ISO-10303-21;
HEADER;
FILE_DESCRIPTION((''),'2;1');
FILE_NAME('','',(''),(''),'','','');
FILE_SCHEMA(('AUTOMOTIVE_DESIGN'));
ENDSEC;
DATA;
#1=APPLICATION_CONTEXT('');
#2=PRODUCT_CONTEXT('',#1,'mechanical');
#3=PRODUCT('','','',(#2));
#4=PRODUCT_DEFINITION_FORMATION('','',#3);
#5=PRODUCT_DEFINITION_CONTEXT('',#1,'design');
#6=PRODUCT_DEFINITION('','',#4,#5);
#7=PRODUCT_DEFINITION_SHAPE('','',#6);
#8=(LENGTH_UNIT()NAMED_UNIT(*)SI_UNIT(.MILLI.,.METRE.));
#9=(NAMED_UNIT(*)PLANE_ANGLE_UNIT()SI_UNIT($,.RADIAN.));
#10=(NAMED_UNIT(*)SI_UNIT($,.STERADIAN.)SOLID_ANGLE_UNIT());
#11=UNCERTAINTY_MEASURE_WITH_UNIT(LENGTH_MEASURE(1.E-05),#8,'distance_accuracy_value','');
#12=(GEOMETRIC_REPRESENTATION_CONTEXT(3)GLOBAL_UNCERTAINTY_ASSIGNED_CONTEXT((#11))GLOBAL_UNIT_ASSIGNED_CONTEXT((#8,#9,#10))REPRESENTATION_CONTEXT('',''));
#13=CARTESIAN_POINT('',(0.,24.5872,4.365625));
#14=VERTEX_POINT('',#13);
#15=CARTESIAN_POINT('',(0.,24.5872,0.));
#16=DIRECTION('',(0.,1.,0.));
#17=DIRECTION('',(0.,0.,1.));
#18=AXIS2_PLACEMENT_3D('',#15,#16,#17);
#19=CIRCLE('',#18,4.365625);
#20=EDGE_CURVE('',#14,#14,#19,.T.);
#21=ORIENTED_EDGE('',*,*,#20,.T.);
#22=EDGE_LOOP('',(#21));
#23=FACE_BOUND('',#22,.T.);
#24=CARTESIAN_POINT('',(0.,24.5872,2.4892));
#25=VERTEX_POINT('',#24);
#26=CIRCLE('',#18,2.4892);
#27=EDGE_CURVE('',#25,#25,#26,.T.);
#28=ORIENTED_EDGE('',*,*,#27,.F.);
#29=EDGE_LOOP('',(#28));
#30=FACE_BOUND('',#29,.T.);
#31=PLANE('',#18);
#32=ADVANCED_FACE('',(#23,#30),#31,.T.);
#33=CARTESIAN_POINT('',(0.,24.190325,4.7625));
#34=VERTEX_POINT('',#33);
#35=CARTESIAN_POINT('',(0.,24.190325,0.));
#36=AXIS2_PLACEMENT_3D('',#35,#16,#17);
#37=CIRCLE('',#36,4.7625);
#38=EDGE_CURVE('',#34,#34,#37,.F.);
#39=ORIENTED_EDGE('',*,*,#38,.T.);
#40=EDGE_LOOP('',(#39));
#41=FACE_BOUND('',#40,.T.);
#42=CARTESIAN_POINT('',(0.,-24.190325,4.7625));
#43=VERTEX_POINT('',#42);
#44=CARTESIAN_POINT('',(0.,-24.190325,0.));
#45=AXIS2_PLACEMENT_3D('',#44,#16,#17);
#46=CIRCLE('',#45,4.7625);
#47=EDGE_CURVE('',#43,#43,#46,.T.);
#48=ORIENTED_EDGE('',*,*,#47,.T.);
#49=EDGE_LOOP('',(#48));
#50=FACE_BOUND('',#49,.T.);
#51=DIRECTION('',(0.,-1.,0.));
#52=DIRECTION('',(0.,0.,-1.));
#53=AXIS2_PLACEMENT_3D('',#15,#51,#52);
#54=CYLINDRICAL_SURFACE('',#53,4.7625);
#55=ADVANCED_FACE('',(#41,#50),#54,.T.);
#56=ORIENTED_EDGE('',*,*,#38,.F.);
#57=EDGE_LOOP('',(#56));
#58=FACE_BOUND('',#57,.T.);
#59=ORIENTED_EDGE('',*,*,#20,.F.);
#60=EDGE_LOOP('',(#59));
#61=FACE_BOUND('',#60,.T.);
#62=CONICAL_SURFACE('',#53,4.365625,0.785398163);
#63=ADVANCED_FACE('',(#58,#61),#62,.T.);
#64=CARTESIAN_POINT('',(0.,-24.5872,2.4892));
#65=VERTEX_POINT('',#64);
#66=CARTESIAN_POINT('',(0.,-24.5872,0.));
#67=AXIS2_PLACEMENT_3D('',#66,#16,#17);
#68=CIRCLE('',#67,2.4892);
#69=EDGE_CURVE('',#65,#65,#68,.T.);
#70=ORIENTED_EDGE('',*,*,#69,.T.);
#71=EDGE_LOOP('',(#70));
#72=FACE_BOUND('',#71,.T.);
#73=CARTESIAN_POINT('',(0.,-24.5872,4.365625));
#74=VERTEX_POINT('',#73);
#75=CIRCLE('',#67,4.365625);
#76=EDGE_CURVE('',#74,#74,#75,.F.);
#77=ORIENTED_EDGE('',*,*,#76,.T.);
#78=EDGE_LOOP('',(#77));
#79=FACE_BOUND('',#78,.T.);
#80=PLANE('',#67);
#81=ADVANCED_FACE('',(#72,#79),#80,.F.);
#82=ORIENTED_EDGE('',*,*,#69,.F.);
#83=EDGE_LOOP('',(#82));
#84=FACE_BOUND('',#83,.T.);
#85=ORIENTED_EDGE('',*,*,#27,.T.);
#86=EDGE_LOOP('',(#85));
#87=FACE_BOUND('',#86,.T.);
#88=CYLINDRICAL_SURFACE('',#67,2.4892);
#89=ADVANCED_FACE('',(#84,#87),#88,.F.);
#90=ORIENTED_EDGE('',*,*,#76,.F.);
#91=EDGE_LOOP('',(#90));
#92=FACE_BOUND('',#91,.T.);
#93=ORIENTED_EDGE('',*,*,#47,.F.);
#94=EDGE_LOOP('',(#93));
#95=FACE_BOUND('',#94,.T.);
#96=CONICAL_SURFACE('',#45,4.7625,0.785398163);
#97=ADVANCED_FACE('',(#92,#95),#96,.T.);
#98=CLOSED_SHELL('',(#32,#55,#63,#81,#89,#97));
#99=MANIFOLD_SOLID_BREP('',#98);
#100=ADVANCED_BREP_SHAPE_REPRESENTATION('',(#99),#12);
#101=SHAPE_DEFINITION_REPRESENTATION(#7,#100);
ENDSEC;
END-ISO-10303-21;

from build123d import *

# Parameters (mm, degrees)
CROQUIS2_R                = 4.7625
SALIENTE_EXTRUIR1_DEPTH   = 24.5872
CHAFL_N1_SIZE             = 0.396875
CLEARANCE_HOLE_DEPTH      = 26.493003282
CLEARANCE_HOLE_DEPTH_BACK = 26.493003282
CROQUIS4_R                = 2.4892


with BuildPart() as part:
    # Croquis2 → Saliente-Extruir1 (new, symmetric)
    with BuildSketch(Plane(origin=(0, 0, 0), x_dir=(1, 0, 0), z_dir=(0, 1, 0))):
        Circle(CROQUIS2_R)
    extrude(amount=SALIENTE_EXTRUIR1_DEPTH, both=True)

    # Chaflán1
    chafl_n1_edges = [part.edges().sort_by_distance(p)[0] for p in [
        (-4.7625, -24.5872, 0),
        (-4.7625, 24.5872, 0),
    ]]
    chamfer(chafl_n1_edges, length=CHAFL_N1_SIZE)

    # Croquis4 → Clearance Hole (cut, two sides: drawn at the far end of the back side and taken through both)
    with BuildSketch(Plane(origin=(0, 0, 0), x_dir=(1, 0, 0), z_dir=(0, 1, 0)).offset(-CLEARANCE_HOLE_DEPTH_BACK)):
        Circle(CROQUIS4_R)
    extrude(amount=CLEARANCE_HOLE_DEPTH + CLEARANCE_HOLE_DEPTH_BACK, mode=Mode.SUBTRACT)


solid = part.part
